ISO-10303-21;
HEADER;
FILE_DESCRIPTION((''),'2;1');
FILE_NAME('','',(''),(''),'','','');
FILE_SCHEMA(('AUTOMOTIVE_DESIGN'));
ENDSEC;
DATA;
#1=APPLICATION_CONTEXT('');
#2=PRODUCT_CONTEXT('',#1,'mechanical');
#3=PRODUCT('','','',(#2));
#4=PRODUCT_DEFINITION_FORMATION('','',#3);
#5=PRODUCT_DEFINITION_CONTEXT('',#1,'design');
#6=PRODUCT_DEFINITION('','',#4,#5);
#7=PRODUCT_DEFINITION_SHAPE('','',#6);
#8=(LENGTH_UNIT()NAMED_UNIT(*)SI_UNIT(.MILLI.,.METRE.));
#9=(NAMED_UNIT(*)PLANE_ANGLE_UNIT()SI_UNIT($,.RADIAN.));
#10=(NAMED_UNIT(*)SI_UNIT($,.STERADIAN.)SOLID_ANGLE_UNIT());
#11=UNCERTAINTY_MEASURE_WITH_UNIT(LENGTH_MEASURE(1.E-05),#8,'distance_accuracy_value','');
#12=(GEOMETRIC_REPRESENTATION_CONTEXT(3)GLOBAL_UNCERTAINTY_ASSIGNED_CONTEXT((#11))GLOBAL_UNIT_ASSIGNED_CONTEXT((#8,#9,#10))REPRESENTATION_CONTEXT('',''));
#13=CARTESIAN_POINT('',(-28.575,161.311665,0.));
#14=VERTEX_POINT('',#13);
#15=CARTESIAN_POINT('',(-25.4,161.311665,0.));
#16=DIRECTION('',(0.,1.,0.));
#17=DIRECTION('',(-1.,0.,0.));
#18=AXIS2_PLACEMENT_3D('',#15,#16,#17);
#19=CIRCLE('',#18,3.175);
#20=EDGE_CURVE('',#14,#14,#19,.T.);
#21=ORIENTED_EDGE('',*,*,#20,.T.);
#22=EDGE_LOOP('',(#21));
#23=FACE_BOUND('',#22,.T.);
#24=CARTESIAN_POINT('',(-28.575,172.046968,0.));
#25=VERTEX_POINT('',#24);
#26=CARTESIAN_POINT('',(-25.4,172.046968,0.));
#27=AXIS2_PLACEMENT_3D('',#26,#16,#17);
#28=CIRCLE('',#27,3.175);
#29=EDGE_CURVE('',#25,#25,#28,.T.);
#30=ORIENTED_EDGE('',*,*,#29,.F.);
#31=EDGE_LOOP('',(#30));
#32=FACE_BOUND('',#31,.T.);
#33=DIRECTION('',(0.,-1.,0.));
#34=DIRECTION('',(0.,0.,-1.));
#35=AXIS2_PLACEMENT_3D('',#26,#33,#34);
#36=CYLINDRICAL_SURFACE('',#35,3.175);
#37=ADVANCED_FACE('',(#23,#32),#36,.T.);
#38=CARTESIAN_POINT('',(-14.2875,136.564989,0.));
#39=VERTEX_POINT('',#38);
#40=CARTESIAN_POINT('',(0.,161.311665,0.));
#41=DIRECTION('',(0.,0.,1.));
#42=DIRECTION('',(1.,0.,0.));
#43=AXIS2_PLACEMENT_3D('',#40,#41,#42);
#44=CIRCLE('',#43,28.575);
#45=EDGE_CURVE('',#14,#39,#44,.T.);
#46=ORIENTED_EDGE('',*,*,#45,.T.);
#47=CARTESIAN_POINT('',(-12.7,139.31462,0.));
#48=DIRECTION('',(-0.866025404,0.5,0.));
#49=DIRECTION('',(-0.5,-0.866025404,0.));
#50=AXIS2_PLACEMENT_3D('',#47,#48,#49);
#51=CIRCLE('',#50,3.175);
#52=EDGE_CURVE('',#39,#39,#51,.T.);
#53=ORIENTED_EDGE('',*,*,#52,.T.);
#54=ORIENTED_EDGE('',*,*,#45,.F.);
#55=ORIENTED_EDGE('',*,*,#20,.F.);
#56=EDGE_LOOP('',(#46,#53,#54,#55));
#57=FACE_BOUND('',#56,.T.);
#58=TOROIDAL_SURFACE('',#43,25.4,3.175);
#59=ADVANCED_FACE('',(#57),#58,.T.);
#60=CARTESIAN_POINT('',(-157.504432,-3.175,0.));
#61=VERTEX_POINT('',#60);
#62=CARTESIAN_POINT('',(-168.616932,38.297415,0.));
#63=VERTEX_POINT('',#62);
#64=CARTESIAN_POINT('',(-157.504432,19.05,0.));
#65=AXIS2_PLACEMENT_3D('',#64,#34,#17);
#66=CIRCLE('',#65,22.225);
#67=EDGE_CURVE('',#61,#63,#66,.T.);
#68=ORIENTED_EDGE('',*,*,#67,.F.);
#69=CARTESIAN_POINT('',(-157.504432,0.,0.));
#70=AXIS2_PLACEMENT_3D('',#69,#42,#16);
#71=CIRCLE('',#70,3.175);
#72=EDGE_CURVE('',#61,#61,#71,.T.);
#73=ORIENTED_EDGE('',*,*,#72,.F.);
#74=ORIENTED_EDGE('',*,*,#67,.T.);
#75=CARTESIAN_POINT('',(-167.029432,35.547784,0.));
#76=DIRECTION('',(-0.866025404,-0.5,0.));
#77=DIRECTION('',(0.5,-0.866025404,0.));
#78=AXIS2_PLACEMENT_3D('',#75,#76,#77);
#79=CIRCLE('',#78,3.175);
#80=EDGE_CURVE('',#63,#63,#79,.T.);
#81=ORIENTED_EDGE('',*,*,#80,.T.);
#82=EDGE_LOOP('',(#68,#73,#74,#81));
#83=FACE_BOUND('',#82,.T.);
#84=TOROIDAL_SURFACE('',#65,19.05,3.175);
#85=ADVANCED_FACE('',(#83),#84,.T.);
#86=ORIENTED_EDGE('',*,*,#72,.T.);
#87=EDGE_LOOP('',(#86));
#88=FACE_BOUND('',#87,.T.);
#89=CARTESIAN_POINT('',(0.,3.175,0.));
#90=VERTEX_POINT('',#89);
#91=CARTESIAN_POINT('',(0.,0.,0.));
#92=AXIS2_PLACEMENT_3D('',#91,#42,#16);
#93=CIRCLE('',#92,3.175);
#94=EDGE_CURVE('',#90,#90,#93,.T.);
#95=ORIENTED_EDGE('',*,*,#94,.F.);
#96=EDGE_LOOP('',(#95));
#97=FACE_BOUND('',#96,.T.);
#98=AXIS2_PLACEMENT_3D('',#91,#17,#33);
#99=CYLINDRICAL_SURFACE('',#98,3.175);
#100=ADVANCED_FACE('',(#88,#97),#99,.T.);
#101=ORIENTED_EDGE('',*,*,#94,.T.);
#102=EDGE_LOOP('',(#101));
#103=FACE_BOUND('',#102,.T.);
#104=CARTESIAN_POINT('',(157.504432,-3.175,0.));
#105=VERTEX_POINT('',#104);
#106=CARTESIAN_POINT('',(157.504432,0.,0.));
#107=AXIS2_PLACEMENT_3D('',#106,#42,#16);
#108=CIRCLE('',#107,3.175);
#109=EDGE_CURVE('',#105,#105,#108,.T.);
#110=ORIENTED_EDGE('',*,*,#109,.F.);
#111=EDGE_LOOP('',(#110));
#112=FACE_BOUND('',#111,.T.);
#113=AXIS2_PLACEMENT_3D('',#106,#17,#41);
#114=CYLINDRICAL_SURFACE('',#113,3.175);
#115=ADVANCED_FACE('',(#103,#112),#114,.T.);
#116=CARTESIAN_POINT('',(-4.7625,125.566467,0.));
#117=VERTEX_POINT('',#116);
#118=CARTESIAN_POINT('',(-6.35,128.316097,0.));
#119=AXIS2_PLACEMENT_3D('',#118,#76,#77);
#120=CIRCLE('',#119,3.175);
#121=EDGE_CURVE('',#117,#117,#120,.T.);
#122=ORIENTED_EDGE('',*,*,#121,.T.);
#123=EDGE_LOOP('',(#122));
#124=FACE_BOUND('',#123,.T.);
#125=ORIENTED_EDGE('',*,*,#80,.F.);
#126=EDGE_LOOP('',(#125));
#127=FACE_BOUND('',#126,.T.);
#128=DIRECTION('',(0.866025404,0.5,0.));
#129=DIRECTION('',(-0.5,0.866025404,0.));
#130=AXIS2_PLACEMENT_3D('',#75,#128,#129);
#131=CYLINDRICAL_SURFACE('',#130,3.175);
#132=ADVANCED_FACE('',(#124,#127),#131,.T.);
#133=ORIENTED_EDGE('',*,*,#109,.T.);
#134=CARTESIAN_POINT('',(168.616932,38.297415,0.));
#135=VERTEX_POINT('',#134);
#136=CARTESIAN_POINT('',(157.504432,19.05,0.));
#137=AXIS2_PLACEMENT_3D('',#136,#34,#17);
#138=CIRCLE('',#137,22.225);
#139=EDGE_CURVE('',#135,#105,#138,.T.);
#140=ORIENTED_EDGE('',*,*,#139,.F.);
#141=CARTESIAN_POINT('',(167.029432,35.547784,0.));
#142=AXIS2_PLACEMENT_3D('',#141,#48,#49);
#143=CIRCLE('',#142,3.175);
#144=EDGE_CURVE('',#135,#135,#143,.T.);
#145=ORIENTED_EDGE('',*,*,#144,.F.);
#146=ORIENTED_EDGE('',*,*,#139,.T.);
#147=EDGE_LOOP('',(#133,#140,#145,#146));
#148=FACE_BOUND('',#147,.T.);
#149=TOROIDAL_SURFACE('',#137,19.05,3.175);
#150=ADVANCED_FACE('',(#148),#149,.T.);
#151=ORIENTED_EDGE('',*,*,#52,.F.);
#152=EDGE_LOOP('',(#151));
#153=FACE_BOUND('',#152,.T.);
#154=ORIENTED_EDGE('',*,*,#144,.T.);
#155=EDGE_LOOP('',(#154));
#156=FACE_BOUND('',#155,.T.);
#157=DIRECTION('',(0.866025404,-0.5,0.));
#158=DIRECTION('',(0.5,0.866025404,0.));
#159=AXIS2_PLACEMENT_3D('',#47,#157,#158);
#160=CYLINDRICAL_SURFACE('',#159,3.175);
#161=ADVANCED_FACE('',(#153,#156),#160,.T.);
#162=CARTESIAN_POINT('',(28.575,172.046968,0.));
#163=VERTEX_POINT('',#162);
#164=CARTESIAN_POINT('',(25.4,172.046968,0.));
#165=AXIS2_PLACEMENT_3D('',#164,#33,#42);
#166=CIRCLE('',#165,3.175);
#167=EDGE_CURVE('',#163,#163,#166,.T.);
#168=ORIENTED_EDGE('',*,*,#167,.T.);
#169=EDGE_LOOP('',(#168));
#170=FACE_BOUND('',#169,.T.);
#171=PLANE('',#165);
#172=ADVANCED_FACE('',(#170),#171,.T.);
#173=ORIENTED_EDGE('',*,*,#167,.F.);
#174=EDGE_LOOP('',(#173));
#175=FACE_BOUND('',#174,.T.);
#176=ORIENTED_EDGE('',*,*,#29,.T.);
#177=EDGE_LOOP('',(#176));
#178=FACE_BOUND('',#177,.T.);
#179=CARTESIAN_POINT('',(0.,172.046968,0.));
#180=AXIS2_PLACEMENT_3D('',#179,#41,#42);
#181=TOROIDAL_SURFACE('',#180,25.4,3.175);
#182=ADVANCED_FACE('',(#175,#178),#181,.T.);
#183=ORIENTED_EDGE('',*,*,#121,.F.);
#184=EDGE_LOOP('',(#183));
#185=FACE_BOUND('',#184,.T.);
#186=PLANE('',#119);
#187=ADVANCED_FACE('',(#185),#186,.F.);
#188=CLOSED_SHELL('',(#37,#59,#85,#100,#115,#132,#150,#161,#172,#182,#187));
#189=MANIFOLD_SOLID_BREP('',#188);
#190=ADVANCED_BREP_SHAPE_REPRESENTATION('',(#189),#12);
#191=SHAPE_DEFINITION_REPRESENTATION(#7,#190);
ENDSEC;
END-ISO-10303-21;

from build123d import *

# Parameters (mm, degrees)
SWEEP2_PROFILE_R = 3.175


with BuildPart() as part:
    # Sweep2: sweep along a path in Sketch1
    with BuildLine(Plane.XY) as sweep2_path:
        Line((-6.35, 128.316097327), (-167.029432116, 35.547783942))
        ThreePointArc((-167.029432116, 35.547783942), (-175.905319107, 14.119497191), (-157.504432116, 0))
        Line((-157.504432116, 0), (0, 0))
        Line((0, 0), (157.504432116, 0))
        ThreePointArc((157.504432116, 0), (175.905319107, 14.119497191), (167.029432116, 35.547783942))
        Line((167.029432116, 35.547783942), (-12.7, 139.314619955))
        ThreePointArc((-12.7, 139.314619955), (-21.997045256, 148.611665212), (-25.4, 161.311665212))
        Line((-25.4, 161.311665212), (-25.4, 172.046968374))
        ThreePointArc((-25.4, 172.046968374), (0, 197.446968374), (25.4, 172.046968374))
    # Sweep2 profile (on start of the path) → Sweep2 (sweep)
    with BuildSketch(Plane(origin=(-6.35, 128.316097327, 0), x_dir=(0.49999999999999517, -0.8660254037844415, 0), z_dir=(-0.8660254037844415, -0.49999999999999517, 0))):
        Circle(SWEEP2_PROFILE_R)
    sweep(path=sweep2_path.line)


solid = part.part
